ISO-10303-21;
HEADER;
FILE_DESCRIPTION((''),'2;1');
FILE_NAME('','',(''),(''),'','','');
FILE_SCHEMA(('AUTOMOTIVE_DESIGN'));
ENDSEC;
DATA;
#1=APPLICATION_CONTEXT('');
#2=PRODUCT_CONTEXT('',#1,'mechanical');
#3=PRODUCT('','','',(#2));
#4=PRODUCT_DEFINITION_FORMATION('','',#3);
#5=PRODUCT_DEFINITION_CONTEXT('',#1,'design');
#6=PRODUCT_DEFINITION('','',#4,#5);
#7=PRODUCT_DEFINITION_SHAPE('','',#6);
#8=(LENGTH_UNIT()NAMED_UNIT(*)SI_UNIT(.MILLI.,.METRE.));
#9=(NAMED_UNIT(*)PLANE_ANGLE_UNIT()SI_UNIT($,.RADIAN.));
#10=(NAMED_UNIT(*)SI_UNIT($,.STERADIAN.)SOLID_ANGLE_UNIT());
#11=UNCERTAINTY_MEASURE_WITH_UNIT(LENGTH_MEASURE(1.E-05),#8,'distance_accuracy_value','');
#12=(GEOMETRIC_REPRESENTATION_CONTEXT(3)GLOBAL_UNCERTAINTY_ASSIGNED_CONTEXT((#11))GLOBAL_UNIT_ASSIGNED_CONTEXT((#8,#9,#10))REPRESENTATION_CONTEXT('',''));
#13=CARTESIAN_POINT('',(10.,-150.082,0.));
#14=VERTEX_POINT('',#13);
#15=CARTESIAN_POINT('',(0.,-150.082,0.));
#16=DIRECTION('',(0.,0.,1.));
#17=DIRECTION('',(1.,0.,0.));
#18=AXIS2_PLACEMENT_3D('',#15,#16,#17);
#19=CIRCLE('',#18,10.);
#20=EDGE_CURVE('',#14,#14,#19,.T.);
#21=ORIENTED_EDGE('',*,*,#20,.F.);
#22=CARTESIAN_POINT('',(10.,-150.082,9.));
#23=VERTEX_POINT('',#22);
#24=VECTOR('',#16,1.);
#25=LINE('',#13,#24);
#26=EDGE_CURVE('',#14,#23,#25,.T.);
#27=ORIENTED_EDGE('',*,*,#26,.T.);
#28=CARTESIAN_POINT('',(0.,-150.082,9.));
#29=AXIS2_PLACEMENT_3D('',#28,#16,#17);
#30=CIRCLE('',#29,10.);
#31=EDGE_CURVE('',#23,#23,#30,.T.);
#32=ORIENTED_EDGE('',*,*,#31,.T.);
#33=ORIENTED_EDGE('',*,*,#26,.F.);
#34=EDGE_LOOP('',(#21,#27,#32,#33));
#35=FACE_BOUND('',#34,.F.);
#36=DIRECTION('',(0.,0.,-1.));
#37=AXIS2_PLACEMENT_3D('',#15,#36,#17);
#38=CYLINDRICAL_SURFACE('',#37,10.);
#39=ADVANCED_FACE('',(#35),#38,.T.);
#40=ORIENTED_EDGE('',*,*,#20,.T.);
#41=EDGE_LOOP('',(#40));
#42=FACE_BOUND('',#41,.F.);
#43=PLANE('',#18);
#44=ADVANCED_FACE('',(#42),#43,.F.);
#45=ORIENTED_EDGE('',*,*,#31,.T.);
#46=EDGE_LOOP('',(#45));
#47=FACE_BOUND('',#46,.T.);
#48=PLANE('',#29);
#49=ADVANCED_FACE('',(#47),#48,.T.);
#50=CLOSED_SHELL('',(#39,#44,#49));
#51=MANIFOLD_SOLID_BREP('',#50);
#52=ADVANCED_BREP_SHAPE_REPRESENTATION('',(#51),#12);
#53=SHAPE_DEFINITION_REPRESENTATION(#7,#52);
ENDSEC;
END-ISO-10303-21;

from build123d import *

# Parameters (mm, degrees)
SKETCH1_R           = 10
BOSS_EXTRUDE1_DEPTH = 9


with BuildPart() as part:
    # Sketch1 → Boss-Extrude1 (new body)
    with BuildSketch(Plane.XY):
        with Locations((0, -150.082)):
            Circle(SKETCH1_R)
    extrude(amount=BOSS_EXTRUDE1_DEPTH)


solid = part.part
